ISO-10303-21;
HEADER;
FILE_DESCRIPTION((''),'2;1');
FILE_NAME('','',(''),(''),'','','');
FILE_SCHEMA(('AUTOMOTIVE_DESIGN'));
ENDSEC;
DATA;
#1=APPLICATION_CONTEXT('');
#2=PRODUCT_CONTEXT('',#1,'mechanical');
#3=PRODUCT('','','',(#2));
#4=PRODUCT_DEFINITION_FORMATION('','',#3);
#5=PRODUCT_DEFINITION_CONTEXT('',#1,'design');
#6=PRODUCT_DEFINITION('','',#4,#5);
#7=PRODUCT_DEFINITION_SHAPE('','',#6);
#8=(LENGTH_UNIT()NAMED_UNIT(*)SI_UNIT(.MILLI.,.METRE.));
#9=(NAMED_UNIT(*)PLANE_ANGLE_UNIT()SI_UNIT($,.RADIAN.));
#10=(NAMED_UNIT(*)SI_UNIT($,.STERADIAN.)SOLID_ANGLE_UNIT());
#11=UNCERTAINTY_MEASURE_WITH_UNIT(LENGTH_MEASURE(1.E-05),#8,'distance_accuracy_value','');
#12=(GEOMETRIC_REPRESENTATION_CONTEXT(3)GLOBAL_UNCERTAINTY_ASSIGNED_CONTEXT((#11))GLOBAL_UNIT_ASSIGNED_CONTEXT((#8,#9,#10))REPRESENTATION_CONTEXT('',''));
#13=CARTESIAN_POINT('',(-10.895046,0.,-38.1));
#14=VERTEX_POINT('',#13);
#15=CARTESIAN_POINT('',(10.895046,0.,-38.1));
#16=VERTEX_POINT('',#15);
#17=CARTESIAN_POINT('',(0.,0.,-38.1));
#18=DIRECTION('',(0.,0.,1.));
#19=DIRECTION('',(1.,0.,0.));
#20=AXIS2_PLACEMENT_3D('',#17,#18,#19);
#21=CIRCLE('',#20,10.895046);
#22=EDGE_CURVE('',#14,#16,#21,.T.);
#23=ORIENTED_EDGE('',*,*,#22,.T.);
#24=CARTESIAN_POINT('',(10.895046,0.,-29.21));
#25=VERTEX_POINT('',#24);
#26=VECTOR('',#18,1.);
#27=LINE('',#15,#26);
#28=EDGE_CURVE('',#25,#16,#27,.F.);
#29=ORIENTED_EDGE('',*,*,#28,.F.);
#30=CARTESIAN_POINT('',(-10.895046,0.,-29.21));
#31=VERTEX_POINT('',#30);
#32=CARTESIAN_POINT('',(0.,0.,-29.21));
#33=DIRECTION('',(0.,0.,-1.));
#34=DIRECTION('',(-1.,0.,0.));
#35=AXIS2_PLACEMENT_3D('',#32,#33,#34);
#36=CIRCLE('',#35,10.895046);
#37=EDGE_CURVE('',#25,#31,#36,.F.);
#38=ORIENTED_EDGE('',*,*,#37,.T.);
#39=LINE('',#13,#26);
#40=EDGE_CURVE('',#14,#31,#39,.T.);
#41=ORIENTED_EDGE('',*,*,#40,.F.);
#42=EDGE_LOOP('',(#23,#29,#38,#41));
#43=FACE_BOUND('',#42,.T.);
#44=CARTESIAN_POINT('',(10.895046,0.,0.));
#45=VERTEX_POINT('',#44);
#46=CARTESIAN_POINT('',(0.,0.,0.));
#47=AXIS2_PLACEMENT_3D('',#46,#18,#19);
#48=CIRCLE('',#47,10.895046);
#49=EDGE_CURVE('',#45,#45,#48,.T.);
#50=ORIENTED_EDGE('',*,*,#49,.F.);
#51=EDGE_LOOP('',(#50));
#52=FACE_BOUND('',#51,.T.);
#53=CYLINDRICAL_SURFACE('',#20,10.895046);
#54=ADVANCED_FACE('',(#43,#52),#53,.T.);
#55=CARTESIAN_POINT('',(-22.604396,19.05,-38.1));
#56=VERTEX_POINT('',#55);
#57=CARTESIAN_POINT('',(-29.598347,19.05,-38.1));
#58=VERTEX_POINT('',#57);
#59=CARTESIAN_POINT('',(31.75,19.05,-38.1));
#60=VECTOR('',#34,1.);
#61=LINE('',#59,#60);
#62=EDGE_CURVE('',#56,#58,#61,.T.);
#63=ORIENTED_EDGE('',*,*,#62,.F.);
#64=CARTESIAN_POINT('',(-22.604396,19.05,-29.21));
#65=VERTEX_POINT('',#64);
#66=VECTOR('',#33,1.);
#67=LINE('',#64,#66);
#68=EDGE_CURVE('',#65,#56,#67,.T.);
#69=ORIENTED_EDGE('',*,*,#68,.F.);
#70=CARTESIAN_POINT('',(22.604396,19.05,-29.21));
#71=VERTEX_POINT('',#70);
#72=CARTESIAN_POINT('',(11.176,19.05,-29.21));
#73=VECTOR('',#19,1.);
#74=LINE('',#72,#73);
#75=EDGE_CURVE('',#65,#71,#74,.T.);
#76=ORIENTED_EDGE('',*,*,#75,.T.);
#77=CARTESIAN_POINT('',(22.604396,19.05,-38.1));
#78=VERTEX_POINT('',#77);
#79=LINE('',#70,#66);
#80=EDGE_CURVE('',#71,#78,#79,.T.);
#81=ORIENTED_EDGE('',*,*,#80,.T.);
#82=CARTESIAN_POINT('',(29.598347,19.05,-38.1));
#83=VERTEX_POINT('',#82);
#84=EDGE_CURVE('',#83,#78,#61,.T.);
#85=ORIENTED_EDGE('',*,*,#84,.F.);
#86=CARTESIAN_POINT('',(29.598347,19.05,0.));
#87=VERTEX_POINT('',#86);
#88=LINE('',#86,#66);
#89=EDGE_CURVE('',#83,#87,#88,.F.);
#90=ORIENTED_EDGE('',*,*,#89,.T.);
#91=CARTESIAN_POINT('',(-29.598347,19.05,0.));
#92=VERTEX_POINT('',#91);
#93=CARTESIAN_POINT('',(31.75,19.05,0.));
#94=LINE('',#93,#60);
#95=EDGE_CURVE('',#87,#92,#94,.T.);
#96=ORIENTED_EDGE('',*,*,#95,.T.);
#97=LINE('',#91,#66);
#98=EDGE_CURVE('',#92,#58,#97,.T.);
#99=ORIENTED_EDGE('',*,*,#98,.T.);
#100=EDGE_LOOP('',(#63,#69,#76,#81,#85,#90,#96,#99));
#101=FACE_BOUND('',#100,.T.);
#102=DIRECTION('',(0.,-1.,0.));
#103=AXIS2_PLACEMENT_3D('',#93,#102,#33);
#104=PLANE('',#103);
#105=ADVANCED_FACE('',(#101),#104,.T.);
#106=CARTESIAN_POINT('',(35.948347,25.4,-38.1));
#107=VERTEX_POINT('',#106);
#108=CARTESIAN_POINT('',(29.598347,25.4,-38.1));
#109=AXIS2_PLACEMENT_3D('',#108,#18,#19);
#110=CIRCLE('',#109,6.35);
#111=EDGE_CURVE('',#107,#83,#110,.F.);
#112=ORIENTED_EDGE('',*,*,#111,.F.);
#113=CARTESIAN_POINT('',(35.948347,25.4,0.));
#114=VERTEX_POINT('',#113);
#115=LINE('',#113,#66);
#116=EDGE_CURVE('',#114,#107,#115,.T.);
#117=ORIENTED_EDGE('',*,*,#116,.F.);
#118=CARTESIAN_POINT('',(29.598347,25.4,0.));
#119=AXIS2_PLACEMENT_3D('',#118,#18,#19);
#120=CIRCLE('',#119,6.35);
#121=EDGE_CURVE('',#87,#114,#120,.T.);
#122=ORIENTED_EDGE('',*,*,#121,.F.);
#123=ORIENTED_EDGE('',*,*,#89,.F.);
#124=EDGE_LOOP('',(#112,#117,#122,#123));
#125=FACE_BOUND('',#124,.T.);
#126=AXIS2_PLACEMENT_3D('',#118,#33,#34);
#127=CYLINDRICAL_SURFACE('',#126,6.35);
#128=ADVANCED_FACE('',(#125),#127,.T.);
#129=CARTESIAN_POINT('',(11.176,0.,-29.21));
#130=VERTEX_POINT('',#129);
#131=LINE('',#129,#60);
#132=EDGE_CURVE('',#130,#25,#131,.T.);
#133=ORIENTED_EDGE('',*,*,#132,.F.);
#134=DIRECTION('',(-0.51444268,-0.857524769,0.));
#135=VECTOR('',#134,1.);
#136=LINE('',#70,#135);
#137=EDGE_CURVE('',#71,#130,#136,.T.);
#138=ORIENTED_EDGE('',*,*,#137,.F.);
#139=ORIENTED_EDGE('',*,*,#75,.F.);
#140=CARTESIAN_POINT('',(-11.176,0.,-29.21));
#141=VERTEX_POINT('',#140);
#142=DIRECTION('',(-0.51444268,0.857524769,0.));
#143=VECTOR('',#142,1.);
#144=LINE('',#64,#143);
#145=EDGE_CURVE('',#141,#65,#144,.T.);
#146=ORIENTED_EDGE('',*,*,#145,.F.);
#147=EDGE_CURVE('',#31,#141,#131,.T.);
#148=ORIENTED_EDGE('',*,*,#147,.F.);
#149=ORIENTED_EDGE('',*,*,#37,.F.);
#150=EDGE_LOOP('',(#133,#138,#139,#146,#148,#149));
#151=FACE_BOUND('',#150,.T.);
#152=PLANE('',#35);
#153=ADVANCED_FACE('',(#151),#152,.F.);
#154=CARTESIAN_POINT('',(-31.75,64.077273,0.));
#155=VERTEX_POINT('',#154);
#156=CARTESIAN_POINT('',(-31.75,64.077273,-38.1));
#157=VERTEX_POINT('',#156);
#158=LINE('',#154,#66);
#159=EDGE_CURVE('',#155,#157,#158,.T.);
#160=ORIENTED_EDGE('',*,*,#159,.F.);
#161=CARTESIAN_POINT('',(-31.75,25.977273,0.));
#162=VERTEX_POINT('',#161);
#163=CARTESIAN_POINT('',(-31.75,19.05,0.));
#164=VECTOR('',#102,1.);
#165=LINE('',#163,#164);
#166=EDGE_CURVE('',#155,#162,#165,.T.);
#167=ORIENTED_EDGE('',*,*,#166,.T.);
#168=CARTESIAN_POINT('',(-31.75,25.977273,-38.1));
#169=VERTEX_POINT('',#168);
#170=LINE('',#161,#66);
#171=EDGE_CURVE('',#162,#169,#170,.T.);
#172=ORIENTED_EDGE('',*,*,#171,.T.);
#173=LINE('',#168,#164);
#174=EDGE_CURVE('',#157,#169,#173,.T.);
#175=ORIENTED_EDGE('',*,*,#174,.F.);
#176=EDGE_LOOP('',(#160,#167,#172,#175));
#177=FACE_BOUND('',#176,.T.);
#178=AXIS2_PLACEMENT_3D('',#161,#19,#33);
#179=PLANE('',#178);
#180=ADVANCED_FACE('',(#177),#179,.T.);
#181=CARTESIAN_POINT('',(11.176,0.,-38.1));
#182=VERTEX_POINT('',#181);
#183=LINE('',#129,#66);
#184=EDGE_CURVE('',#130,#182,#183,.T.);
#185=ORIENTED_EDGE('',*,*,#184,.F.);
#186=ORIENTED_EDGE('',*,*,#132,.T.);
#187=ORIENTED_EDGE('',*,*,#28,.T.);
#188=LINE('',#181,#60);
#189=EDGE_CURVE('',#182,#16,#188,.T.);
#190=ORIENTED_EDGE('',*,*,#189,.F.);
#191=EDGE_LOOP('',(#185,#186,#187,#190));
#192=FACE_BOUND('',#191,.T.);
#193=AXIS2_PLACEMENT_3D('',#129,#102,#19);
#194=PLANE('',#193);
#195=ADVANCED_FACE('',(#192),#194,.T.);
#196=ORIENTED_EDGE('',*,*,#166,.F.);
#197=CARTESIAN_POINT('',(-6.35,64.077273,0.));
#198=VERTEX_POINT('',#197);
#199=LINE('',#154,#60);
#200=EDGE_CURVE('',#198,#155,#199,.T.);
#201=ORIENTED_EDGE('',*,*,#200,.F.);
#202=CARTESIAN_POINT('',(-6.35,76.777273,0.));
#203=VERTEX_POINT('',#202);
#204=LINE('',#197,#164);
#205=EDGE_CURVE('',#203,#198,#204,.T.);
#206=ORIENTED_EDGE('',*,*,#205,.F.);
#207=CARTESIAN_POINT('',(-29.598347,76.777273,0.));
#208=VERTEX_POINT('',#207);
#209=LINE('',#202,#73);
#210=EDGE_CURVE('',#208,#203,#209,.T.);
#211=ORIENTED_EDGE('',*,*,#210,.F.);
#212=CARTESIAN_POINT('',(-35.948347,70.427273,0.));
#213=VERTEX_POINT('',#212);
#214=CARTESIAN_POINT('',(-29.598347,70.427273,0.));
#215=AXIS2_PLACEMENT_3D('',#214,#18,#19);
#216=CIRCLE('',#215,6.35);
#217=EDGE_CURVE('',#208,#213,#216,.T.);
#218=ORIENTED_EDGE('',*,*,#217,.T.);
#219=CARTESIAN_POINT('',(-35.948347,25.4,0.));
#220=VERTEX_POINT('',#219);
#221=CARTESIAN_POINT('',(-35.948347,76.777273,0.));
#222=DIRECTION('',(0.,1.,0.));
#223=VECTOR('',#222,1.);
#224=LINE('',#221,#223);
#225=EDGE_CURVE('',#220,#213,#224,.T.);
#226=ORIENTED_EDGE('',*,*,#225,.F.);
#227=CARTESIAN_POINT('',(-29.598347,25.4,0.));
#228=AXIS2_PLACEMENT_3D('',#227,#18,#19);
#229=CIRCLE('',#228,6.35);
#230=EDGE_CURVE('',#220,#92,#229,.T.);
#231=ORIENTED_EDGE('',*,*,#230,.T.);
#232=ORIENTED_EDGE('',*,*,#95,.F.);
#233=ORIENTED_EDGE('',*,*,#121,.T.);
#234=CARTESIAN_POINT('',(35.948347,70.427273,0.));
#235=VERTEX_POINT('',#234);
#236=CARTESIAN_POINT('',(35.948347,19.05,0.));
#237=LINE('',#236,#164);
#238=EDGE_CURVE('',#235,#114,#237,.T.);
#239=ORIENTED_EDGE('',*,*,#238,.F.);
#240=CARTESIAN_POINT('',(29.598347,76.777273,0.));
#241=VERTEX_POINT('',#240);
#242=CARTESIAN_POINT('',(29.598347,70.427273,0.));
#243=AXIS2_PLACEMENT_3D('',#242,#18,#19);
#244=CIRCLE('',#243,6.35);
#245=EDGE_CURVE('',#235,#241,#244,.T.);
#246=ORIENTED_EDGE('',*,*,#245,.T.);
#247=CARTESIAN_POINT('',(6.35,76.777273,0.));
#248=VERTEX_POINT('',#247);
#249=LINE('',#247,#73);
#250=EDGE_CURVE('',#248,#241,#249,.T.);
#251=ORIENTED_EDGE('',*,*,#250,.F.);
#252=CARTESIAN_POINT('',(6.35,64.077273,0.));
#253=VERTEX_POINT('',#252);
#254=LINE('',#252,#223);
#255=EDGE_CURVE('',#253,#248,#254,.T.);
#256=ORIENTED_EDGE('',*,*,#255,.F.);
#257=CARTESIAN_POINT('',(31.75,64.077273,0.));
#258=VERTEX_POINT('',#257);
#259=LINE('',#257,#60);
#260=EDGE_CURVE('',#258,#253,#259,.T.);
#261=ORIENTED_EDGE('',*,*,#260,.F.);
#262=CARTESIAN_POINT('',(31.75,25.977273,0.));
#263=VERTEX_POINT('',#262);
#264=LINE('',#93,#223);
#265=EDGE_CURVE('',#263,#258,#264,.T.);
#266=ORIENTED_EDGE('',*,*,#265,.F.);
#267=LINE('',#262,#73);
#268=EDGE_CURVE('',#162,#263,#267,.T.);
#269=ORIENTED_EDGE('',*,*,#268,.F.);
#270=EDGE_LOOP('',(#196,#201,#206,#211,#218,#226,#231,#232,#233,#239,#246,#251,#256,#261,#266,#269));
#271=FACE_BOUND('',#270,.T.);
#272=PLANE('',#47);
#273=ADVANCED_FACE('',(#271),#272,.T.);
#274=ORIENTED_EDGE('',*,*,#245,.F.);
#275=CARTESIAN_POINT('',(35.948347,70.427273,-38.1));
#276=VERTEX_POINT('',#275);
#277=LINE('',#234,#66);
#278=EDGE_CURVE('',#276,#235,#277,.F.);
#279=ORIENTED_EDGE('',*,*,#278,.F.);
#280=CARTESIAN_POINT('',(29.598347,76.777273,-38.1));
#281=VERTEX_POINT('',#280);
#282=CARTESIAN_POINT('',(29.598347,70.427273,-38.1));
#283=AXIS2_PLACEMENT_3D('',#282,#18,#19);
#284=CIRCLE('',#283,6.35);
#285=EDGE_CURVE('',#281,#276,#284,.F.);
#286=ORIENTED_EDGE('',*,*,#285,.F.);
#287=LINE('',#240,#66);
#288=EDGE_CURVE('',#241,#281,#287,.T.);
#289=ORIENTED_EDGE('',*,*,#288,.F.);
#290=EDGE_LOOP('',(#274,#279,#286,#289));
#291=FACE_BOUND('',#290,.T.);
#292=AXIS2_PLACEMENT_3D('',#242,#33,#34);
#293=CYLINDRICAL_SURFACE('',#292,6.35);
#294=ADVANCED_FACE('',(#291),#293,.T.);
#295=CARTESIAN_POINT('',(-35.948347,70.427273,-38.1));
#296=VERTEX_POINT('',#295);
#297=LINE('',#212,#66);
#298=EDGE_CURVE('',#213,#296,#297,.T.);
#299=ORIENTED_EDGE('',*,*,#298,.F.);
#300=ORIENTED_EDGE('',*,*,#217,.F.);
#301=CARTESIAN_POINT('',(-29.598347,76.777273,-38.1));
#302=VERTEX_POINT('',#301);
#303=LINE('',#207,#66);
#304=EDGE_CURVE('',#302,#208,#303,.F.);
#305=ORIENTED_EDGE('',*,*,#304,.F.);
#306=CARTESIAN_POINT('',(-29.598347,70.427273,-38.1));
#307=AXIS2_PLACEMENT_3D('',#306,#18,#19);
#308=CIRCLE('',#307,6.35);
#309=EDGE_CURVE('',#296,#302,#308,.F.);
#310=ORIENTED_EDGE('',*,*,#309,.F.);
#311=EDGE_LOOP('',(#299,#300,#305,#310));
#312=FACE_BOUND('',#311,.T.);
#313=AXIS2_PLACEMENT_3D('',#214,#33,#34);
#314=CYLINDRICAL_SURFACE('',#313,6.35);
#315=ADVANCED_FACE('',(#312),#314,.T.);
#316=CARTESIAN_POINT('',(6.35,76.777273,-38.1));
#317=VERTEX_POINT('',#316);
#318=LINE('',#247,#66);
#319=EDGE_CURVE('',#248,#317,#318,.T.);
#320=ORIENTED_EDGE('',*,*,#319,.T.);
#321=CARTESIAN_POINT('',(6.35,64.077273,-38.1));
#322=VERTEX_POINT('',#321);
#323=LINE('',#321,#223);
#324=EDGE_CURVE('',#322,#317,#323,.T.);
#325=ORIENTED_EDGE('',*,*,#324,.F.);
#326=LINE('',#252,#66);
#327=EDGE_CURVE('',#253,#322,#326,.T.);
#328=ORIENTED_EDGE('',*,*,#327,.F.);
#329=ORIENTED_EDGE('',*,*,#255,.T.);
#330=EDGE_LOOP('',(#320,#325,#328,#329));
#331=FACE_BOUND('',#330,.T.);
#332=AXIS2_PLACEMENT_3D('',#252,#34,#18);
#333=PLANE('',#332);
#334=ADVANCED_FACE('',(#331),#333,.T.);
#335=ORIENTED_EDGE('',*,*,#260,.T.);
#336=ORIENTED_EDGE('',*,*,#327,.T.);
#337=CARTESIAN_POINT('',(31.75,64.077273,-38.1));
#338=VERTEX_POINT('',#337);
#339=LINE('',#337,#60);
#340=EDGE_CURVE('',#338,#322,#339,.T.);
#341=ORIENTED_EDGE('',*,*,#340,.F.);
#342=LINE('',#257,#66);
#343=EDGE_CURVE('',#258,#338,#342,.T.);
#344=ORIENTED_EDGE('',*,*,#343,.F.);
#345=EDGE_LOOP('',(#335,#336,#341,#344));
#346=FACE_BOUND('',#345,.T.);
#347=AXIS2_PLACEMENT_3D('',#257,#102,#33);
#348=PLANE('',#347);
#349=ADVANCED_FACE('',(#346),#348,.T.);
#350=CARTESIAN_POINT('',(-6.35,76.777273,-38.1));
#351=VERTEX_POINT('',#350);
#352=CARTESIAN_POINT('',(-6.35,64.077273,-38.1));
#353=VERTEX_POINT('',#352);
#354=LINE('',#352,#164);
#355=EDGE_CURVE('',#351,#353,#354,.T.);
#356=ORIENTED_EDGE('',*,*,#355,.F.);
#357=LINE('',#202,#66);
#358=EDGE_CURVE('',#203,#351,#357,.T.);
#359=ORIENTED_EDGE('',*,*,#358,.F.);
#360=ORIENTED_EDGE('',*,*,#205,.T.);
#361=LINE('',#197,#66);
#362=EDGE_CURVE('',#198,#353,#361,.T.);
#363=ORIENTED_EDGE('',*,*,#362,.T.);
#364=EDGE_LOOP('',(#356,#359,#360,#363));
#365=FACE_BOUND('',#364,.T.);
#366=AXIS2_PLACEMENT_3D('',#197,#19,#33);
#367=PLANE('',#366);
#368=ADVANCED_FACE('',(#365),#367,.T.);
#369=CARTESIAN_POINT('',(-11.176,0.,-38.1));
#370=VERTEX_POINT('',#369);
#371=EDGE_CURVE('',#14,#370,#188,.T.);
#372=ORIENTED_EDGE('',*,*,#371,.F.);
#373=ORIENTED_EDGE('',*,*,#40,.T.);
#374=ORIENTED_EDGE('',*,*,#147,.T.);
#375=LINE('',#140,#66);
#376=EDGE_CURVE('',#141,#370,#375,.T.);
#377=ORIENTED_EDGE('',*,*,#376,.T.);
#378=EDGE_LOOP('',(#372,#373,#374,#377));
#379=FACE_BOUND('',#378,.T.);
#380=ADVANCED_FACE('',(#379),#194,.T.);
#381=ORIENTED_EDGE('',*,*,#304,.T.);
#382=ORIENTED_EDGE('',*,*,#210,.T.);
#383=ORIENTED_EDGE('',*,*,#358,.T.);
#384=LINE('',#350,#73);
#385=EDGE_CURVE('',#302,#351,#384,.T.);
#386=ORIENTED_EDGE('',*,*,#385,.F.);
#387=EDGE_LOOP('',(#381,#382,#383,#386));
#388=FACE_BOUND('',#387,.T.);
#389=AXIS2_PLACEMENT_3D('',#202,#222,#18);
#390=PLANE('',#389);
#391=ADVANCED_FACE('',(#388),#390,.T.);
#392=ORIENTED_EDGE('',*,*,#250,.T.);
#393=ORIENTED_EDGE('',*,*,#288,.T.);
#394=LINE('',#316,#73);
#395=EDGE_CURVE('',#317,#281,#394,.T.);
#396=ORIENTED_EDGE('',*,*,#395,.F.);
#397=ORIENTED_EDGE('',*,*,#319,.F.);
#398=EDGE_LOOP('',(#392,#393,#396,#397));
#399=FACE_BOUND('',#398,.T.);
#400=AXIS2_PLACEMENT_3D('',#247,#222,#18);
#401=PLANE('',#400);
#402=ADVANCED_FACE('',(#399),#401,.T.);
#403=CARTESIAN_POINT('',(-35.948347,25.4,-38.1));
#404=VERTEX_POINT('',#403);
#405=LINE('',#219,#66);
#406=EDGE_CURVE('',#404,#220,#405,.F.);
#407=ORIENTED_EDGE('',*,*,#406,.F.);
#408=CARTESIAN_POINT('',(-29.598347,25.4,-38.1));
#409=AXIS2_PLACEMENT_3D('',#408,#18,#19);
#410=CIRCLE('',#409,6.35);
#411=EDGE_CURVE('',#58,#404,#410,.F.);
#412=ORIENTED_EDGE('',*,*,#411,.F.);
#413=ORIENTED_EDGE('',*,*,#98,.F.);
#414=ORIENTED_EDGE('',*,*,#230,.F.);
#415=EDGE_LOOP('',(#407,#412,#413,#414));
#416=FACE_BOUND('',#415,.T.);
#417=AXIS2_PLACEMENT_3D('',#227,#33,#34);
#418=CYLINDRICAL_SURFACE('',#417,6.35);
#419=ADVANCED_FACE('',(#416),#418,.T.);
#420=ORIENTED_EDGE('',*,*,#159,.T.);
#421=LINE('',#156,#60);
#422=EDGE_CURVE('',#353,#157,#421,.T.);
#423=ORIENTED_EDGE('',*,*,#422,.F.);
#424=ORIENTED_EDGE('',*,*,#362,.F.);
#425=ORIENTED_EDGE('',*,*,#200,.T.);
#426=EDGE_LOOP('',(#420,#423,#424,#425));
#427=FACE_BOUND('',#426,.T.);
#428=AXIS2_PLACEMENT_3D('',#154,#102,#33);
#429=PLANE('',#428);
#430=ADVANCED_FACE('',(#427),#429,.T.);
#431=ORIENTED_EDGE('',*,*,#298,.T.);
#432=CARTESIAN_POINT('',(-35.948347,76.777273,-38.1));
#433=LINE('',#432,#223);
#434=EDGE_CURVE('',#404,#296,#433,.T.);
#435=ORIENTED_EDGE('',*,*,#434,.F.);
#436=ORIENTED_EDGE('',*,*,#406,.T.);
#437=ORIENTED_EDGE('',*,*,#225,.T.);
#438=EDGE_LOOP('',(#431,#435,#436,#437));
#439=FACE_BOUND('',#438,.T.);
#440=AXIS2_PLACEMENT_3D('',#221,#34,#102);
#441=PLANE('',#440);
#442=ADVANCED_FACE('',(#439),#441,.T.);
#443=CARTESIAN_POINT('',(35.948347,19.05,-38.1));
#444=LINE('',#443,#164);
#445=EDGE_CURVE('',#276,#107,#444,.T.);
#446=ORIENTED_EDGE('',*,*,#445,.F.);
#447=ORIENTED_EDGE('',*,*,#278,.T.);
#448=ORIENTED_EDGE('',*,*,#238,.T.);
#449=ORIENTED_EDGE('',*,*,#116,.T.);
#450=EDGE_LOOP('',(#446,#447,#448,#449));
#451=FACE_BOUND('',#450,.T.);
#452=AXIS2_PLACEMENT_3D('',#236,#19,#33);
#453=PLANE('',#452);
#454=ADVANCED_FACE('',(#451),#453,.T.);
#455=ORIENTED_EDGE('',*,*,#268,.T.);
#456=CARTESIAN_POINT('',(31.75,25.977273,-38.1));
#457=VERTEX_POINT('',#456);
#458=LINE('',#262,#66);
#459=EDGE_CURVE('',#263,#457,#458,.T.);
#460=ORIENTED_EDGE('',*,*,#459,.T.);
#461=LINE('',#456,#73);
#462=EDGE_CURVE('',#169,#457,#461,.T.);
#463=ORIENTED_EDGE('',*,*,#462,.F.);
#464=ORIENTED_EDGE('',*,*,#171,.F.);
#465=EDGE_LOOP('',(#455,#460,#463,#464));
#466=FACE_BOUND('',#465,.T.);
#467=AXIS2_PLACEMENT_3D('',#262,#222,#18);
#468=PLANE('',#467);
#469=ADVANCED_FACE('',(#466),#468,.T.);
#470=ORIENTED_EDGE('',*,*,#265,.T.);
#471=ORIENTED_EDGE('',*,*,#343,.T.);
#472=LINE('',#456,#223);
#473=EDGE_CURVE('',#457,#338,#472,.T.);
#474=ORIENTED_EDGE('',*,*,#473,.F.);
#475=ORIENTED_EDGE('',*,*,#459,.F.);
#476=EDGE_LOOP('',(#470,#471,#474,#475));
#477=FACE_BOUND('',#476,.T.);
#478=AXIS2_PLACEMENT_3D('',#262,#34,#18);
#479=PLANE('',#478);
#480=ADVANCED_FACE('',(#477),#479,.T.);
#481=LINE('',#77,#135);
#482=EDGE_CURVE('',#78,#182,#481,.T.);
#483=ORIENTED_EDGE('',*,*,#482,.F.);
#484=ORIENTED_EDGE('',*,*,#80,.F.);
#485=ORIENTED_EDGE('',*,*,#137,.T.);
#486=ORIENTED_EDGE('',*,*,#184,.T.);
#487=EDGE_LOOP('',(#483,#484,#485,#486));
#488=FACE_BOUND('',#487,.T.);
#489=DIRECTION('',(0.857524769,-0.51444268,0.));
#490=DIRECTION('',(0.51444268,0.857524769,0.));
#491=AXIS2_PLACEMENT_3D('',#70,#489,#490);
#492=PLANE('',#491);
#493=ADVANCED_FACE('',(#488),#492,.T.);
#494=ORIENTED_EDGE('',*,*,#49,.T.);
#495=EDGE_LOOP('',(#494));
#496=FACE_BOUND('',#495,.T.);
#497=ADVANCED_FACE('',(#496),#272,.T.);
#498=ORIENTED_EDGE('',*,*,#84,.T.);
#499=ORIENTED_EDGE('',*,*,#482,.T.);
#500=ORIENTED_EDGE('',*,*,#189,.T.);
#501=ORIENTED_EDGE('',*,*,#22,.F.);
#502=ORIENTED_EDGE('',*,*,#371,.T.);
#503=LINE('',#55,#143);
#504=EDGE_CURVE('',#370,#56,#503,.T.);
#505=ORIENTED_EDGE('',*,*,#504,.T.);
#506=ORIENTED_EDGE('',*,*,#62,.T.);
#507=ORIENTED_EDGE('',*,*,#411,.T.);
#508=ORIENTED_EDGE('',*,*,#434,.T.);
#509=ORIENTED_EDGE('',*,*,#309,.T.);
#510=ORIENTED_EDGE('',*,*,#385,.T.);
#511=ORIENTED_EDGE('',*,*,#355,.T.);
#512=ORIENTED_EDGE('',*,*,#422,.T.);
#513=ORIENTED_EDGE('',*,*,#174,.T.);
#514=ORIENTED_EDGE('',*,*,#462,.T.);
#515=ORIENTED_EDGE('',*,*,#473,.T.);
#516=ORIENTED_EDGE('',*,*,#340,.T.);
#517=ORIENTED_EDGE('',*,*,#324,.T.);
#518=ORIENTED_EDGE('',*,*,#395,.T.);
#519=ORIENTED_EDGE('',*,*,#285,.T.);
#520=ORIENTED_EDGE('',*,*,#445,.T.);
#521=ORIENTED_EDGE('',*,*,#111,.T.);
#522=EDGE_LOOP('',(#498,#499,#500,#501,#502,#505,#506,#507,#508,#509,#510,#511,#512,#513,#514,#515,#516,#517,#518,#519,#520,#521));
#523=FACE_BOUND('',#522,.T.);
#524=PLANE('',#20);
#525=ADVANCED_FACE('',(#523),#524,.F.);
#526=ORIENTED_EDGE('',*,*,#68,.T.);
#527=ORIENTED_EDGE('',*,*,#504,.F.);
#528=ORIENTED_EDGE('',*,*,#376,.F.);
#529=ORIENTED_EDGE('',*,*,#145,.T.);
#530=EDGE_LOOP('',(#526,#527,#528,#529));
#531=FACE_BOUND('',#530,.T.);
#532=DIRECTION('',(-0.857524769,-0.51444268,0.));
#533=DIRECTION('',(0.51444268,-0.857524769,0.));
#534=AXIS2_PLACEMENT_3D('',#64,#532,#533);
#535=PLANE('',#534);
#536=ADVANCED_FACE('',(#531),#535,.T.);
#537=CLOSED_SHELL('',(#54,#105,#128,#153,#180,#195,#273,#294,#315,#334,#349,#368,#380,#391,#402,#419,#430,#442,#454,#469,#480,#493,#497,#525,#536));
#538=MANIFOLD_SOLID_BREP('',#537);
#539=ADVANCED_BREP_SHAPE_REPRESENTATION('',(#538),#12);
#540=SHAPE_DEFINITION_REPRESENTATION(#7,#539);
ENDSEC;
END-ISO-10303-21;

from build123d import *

# Parameters (mm, degrees)
SKETCH1_R           = 10.89504564
BOSS_EXTRUDE1_DEPTH = 38.1
BOSS_EXTRUDE2_DEPTH = 8.89
SKETCH3_W           = 63.5
SKETCH3_H           = 6.927272727
BOSS_EXTRUDE3_DEPTH = 38.1
BOSS_EXTRUDE4_DEPTH = 38.1
FILLET1_R           = 6.35


with BuildPart() as part:
    # Sketch1 → Boss-Extrude1 (new body)
    with BuildSketch(Plane.XY):
        Circle(SKETCH1_R)
    extrude(amount=-BOSS_EXTRUDE1_DEPTH)

    # Sketch2 → Boss-Extrude2 (add)
    with BuildSketch(Plane(origin=(0, 0, -38.1), x_dir=(-1, 0, 0), z_dir=(0, 0, -1))):
        Polygon((-11.176, 0), (11.176, 0), (22.604396494, 19.05), (11.176, 19.05), (-11.176, 19.05), (-22.604396494, 19.05), align=None)
    extrude(amount=-BOSS_EXTRUDE2_DEPTH)

    # Sketch3 → Boss-Extrude3 (add)
    with BuildSketch(Plane(origin=(0, 0, -38.1), x_dir=(-1, 0, 0), z_dir=(0, 0, -1))):
        with Locations((0, 22.513636364)):
            Rectangle(SKETCH3_W, SKETCH3_H)
    extrude(amount=-BOSS_EXTRUDE3_DEPTH)

    # Sketch4 → Boss-Extrude4 (add)
    with BuildSketch(Plane(origin=(0, 0, -38.1), x_dir=(-1, 0, 0), z_dir=(0, 0, -1))):
        Polygon((-31.75, 25.977272727), (-31.75, 64.077272727), (-6.35, 64.077272727), (-6.35, 76.777272727), (-35.948347107, 76.777272727), (-35.948347107, 19.05), (-31.75, 19.05), align=None)
        Polygon((31.75, 25.977272727), (31.75, 64.077272727), (6.35, 64.077272727), (6.35, 76.777272727), (35.948347107, 76.777272727), (35.948347107, 19.05), (31.75, 19.05), align=None)
    extrude(amount=-BOSS_EXTRUDE4_DEPTH)

    # Fillet1
    fillet1_edges = [part.edges().sort_by_distance(p)[0] for p in [
        (35.948347107, 19.05, -19.05),
        (35.948347107, 76.777272727, -19.05),
        (-35.948347107, 76.777272727, -19.05),
        (-35.948347107, 19.05, -19.05),
    ]]
    fillet(fillet1_edges, radius=FILLET1_R)


solid = part.part
